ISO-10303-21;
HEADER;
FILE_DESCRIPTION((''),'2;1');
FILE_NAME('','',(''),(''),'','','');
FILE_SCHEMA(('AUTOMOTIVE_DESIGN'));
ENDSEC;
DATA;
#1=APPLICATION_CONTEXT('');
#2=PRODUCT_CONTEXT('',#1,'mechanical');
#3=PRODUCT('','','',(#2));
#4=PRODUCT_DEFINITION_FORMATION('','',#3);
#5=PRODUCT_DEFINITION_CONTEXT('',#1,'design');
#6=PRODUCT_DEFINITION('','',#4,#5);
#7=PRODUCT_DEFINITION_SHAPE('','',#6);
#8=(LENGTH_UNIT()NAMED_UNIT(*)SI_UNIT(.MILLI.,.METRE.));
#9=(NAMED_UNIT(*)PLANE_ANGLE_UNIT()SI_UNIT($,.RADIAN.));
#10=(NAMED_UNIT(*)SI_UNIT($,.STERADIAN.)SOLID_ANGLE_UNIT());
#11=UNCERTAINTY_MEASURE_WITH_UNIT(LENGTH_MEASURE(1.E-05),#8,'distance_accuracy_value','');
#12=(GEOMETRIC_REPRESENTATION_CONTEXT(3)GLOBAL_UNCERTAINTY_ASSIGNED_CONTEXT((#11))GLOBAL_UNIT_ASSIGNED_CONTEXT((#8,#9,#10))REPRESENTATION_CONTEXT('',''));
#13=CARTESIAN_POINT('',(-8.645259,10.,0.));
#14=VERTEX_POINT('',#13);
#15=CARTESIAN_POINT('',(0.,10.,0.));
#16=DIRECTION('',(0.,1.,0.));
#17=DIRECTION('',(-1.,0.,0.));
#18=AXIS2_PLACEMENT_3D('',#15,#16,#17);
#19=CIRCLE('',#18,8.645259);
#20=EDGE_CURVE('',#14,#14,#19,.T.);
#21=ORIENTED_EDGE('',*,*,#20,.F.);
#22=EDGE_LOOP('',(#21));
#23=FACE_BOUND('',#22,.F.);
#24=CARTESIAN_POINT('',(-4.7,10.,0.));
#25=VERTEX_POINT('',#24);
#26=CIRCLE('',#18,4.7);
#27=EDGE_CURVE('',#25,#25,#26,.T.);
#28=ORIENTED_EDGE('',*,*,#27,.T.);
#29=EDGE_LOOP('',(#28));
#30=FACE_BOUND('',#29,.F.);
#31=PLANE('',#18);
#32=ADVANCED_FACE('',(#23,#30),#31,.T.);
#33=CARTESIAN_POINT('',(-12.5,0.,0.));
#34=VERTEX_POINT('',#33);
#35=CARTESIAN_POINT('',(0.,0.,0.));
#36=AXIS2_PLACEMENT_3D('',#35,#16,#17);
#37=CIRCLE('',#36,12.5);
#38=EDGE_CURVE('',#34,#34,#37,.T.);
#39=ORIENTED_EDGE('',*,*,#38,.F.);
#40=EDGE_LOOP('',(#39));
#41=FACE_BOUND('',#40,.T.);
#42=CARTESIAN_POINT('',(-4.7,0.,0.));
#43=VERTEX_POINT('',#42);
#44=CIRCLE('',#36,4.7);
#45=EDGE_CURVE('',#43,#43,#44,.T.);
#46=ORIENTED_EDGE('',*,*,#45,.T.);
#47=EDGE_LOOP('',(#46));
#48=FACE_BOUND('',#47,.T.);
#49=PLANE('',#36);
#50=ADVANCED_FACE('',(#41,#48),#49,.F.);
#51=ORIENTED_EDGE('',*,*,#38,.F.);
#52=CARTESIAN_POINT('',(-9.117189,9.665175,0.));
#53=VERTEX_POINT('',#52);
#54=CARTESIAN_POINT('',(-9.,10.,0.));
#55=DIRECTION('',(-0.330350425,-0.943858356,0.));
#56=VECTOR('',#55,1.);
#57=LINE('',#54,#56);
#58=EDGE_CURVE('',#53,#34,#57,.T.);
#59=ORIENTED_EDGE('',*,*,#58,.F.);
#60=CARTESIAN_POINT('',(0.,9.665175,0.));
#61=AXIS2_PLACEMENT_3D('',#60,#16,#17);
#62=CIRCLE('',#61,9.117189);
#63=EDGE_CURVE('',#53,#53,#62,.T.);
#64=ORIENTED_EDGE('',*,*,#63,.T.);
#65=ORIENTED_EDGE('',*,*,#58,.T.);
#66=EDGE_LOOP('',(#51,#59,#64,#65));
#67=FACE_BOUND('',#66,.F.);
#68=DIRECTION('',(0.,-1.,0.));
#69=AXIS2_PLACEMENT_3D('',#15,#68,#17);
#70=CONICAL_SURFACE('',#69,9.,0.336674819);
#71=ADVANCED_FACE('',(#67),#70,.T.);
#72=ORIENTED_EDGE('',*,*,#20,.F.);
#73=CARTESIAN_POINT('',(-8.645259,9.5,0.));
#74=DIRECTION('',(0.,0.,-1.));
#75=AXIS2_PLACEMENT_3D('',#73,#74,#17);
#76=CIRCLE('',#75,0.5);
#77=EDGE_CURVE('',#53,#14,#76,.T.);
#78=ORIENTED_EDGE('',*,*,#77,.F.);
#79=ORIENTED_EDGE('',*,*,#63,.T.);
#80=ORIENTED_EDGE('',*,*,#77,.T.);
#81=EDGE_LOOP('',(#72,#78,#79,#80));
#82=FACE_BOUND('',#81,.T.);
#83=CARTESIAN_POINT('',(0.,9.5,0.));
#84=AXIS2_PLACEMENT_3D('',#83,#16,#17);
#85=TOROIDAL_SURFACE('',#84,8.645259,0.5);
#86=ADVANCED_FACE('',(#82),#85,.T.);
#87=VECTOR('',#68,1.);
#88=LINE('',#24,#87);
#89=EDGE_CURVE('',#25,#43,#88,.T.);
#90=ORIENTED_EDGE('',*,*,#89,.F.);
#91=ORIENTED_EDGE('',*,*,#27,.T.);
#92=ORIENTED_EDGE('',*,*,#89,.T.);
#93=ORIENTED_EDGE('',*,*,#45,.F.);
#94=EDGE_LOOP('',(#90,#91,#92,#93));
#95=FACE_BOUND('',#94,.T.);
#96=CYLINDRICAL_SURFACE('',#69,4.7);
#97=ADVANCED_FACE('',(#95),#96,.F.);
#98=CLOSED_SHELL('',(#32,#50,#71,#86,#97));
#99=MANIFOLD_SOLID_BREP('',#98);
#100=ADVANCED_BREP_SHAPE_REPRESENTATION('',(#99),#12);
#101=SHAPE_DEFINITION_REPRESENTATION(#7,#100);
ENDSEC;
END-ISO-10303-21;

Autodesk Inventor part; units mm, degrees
ref_plane "YZ Plane" through (0, 0, 0) normal (1, 0, 0) x (0, 1, 0)
ref_plane "XZ Plane" through (0, 0, 0) normal (0, 1, 0) x (-1, 0, 0)
ref_plane "XY Plane" through (0, 0, 0) normal (0, 0, 1) x (1, 0, 0)
sketch "Sketch1" plane through (0, 0, 0) normal (0, 0, 1) x (1, 0, 0)
  line L0 (-4.7, 0) -> (-12.5, 0)
  line L1 (0, 0) -> (0, 10) construction
  line L2 (-4.7, 10) -> (-9, 10)
  line L3 (-9, 10) -> (-12.5, 0)
  line L4 (-4.7, 10) -> (-4.7, 0)
  dimension "d0" = 12.5
  dimension "d1" = 10
  dimension "d4" = 4.7
  dimension "d5" = 9
revolve "Revolution1" add sketch "Sketch1" angle 360 about axis through (0, 0, 0) along (0, 1, 0)
fillet "Fillet1" radius 0.5 1 edges at (9, 10, 0)
properties part number "BushingTop" material "Rubber, Black"
